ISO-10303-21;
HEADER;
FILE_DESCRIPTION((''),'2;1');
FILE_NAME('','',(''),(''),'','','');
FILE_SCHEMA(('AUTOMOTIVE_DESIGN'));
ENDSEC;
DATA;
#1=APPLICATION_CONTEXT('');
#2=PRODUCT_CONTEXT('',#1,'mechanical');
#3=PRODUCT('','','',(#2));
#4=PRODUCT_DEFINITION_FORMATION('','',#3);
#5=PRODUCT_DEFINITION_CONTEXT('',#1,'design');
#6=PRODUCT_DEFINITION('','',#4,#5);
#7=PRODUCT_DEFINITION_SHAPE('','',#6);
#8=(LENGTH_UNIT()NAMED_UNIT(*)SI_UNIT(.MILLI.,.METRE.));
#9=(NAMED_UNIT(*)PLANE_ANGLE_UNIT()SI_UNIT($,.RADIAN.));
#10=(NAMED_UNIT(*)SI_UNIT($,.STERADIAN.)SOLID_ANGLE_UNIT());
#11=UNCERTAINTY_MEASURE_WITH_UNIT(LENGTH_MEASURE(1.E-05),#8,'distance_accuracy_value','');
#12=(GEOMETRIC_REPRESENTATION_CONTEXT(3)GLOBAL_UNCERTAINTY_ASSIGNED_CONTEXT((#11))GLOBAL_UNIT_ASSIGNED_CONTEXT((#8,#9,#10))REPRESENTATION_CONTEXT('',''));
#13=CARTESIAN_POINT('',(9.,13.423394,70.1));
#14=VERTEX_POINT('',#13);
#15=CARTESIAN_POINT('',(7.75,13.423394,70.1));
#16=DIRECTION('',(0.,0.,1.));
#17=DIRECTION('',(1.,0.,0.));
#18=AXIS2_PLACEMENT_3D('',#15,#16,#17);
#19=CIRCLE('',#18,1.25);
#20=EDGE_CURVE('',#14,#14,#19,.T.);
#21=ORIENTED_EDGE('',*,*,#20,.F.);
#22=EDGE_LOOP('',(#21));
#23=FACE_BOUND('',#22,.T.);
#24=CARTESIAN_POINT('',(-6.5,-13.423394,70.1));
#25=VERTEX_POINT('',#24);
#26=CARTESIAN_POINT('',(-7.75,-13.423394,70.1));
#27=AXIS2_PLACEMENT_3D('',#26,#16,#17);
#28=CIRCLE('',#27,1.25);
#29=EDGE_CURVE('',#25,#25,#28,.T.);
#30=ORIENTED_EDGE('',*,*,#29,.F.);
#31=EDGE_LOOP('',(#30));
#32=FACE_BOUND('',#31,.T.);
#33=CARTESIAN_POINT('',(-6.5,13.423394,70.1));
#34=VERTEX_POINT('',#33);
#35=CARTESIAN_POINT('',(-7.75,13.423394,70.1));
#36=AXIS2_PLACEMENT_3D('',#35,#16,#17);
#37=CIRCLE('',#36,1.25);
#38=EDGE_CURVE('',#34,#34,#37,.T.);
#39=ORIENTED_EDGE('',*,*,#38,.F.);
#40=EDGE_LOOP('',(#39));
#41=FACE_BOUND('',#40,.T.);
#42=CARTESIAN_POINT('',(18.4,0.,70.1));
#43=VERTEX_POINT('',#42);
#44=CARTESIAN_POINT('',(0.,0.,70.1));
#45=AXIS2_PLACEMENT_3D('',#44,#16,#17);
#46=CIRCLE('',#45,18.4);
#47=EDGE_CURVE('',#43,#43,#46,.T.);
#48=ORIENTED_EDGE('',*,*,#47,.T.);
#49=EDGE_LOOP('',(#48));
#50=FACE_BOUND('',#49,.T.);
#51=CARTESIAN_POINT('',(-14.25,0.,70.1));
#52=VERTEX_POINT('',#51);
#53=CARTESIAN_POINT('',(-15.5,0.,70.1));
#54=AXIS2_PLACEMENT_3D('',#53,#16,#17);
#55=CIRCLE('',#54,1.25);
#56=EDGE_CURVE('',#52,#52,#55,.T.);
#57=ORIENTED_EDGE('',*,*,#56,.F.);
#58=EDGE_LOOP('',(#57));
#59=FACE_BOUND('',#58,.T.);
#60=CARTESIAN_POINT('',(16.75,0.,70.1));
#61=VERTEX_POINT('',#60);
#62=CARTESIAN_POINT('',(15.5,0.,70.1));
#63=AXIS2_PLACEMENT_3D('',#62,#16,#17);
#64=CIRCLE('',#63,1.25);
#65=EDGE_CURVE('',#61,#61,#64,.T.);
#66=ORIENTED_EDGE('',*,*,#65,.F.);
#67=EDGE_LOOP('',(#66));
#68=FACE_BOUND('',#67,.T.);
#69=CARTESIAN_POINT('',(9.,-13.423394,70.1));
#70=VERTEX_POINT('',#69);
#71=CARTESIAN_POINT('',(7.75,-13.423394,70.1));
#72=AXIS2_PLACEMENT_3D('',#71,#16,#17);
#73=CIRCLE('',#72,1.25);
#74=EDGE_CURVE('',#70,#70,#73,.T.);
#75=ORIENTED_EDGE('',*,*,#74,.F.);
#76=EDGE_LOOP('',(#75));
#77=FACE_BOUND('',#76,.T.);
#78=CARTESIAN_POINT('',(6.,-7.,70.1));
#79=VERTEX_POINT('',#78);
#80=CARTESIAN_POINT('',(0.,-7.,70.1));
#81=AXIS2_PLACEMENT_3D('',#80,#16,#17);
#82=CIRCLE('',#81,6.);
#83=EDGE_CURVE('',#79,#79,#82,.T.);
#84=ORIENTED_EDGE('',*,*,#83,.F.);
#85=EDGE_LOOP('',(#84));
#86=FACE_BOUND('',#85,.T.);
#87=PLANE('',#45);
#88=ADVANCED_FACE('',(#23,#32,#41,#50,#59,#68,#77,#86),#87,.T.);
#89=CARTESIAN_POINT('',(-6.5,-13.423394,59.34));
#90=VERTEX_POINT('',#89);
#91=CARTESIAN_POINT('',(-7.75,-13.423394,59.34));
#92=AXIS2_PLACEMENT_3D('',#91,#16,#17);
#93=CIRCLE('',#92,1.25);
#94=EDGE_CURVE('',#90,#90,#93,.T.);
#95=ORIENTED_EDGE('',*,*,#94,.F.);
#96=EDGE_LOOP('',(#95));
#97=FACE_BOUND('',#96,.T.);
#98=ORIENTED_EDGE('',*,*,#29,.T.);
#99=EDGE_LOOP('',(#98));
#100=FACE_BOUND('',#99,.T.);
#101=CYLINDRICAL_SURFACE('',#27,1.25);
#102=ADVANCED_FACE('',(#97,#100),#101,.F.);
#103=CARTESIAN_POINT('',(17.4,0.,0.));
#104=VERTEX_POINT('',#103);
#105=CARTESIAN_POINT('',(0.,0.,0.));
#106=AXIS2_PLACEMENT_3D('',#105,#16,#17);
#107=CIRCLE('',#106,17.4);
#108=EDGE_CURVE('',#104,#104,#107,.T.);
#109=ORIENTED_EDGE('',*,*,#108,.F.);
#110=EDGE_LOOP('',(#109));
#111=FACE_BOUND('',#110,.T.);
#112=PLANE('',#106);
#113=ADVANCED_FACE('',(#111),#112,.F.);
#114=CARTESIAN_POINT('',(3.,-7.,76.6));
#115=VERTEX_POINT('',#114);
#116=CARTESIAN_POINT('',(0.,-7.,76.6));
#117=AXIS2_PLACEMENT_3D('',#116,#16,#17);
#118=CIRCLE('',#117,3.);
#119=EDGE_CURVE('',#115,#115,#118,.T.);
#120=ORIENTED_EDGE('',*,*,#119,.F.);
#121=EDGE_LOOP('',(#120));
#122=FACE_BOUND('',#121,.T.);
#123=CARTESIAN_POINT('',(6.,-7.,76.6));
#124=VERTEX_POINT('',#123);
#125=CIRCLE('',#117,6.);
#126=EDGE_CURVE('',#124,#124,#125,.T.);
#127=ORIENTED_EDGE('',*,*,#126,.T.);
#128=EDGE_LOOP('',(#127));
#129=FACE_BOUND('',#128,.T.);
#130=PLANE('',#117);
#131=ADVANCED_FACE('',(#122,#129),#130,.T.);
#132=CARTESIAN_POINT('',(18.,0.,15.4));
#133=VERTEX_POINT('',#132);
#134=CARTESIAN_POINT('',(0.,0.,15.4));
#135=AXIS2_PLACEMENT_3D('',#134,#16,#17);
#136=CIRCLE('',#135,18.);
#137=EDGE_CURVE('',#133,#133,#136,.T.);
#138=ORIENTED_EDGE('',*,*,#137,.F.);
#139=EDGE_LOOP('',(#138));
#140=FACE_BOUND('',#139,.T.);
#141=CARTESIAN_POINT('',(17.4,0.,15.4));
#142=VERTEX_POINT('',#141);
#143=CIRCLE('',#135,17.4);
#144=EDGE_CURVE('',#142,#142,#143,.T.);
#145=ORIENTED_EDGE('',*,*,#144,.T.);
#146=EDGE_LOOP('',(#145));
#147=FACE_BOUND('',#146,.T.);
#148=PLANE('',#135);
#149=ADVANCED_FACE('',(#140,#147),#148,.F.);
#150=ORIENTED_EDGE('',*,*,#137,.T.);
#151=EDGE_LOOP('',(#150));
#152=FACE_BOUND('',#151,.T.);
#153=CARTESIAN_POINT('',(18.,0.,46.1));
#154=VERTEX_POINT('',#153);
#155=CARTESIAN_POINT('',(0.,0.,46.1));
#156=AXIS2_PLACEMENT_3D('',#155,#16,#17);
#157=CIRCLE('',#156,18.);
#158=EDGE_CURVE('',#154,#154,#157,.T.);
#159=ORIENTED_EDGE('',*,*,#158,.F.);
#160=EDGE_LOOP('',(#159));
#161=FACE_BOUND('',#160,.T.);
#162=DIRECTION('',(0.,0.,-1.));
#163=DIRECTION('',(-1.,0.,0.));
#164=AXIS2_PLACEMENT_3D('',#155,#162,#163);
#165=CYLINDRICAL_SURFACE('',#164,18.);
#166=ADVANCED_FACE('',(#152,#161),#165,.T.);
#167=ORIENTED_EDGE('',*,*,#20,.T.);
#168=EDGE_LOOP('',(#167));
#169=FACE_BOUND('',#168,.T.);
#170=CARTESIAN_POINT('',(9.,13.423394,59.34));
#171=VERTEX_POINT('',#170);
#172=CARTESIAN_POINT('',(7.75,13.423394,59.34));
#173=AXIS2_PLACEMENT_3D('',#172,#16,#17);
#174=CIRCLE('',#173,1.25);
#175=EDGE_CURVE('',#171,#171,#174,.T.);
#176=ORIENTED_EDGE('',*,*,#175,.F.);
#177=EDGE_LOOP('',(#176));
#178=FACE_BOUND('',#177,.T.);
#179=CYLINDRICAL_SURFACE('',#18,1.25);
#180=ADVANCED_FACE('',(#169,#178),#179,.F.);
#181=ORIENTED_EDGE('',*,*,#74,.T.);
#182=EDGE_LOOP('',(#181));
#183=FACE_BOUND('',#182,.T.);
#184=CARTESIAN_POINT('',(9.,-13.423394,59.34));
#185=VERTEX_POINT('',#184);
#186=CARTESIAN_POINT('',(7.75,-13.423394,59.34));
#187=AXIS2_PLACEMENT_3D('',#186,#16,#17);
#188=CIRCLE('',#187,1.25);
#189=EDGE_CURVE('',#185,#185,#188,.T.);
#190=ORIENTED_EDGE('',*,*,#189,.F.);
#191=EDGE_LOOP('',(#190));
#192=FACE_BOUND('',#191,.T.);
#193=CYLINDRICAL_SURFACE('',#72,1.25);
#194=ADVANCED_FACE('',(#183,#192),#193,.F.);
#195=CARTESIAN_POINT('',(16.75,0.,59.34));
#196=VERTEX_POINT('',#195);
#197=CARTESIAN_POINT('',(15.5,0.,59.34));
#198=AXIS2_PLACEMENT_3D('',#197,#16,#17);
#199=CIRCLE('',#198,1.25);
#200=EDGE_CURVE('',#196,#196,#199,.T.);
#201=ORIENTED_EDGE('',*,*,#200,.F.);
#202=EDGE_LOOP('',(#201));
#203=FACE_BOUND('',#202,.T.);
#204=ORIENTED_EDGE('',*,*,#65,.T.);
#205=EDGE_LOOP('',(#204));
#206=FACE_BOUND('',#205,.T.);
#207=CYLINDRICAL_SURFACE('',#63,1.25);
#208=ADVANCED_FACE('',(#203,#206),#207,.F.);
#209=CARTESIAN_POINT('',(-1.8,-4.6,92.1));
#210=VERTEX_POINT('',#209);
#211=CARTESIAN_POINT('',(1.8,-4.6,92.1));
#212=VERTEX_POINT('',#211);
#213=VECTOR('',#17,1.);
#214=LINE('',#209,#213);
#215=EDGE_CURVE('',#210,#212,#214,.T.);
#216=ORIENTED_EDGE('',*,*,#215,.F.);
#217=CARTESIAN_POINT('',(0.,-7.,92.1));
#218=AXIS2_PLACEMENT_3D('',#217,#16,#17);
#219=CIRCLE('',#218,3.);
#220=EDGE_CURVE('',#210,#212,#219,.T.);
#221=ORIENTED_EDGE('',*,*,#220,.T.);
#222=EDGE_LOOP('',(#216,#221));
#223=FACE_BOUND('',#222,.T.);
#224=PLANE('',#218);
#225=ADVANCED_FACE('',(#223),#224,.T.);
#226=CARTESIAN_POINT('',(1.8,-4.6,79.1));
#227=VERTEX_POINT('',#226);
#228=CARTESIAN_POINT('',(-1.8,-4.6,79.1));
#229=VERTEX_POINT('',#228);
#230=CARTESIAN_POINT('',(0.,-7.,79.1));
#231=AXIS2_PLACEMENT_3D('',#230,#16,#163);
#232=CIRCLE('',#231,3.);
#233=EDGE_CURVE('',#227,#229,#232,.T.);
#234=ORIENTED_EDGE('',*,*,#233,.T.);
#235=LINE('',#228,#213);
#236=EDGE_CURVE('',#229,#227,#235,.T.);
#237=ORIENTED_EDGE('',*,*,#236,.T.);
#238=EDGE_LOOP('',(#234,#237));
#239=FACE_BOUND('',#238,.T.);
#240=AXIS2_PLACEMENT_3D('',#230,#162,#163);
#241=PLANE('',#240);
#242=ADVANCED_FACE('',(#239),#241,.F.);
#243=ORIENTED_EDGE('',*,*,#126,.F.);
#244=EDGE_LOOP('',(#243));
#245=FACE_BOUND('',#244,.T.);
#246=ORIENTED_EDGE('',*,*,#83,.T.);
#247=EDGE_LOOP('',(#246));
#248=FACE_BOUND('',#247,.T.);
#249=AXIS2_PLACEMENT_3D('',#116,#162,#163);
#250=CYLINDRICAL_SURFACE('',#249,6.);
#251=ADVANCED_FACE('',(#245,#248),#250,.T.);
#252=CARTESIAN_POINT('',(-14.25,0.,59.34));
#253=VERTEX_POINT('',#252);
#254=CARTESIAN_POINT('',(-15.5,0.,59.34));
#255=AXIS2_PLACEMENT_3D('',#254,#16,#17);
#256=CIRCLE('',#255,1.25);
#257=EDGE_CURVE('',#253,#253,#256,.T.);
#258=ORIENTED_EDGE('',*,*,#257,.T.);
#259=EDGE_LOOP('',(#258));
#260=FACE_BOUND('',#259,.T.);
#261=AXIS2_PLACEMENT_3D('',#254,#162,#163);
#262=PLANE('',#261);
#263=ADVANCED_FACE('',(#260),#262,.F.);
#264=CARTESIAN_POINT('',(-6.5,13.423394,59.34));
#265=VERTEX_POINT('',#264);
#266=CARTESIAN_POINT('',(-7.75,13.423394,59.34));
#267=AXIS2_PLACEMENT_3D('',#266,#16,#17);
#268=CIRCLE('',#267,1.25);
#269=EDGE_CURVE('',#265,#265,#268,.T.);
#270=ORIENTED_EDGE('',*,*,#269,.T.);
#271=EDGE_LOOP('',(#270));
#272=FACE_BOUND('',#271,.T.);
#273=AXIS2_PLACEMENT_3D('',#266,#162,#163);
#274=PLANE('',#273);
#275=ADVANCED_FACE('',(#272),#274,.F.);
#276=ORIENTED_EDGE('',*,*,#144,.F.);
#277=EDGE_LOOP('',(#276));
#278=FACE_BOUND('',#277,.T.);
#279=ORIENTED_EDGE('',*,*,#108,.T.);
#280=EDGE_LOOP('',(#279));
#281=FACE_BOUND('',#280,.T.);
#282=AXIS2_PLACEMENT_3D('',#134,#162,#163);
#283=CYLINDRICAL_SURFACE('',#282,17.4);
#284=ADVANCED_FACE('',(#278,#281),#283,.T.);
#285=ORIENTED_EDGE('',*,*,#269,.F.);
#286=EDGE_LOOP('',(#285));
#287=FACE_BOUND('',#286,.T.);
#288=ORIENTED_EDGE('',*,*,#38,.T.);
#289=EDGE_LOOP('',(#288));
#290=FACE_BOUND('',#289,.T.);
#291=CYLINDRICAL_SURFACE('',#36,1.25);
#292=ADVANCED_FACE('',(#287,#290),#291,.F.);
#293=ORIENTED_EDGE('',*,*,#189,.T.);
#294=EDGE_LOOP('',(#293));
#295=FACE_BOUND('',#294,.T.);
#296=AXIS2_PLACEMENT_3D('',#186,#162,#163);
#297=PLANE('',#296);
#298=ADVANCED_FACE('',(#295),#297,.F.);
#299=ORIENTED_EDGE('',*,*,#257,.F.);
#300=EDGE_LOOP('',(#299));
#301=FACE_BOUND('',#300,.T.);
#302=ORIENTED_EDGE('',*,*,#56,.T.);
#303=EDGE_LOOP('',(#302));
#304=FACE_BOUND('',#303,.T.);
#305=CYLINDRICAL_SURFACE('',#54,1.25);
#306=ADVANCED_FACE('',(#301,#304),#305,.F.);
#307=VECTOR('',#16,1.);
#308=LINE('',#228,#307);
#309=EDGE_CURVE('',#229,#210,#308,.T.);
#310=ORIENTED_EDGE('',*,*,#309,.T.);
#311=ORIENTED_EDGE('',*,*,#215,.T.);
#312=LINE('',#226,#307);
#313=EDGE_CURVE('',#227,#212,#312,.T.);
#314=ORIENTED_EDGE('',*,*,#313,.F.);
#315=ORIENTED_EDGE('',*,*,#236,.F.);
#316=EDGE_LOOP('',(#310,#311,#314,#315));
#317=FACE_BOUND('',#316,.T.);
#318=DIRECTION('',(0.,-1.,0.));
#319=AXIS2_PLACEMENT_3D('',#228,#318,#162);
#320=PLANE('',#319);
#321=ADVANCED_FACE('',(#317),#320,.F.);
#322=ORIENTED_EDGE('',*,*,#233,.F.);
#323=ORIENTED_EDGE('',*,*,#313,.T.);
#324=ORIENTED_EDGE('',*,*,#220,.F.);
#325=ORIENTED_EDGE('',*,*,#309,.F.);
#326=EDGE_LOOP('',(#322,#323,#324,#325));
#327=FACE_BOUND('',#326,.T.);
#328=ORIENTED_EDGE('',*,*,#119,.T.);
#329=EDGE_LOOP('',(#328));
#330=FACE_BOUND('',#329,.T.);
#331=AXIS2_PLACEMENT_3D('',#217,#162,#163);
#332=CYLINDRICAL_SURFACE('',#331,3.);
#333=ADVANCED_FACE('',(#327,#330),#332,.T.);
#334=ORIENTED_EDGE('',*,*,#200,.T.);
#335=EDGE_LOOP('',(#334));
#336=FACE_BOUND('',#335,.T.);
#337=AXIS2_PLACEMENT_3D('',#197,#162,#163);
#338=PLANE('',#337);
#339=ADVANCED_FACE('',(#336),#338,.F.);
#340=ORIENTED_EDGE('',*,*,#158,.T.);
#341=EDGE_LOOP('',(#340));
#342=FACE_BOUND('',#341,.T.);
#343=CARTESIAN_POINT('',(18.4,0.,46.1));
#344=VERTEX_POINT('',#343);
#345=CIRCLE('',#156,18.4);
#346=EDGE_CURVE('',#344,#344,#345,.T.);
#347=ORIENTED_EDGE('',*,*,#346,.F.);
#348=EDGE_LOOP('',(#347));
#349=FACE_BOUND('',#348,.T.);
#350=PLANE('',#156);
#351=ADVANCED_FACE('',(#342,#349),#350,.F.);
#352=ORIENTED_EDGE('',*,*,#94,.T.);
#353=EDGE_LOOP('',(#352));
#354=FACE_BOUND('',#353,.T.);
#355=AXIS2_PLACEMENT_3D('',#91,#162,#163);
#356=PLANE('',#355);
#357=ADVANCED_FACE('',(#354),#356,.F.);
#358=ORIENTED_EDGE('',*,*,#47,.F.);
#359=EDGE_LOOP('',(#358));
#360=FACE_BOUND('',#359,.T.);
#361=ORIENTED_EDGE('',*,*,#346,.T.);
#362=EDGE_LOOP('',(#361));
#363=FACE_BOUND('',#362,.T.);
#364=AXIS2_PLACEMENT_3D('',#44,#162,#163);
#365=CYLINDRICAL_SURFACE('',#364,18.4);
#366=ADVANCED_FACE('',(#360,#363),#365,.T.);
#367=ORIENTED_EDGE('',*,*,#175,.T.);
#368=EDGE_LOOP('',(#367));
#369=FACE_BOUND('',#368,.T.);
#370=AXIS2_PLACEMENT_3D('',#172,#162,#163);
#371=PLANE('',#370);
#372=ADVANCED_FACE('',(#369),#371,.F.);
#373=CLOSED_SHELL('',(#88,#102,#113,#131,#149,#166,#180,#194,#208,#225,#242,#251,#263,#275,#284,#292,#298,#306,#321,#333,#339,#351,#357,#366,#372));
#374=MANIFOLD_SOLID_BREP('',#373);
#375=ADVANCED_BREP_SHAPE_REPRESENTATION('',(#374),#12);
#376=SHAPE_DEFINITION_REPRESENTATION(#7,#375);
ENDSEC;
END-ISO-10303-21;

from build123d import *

# Parameters (mm, degrees)
SKETCH1_R                       = 17.4
BOSS_EXTRUDE1_DEPTH             = 15.4
SKETCH2_R                       = 18
BOSS_EXTRUDE2_DEPTH             = 30.7
SKETCH3_R                       = 18.4
BOSS_EXTRUDE3_DEPTH             = 24
SKETCH4_R                       = 6
BOSS_EXTRUDE4_DEPTH             = 6.5
SKETCH5_R                       = 3
BOSS_EXTRUDE5_DEPTH             = 15.5
CUT_EXTRUDE1_DEPTH              = 13
TAP_DRILL_FOR_M3X0_5_TAP1_D     = 2.5
TAP_DRILL_FOR_M3X0_5_TAP1_DEPTH = 10.76


with BuildPart() as part:
    # Sketch1 → Boss-Extrude1 (new body)
    with BuildSketch(Plane.XY):
        Circle(SKETCH1_R)
    extrude(amount=BOSS_EXTRUDE1_DEPTH)

    # Sketch2 → Boss-Extrude2 (add)
    with BuildSketch(Plane.XY.offset(15.4)):
        Circle(SKETCH2_R)
    extrude(amount=BOSS_EXTRUDE2_DEPTH)

    # Sketch3 → Boss-Extrude3 (add)
    with BuildSketch(Plane.XY.offset(46.1)):
        Circle(SKETCH3_R)
    extrude(amount=BOSS_EXTRUDE3_DEPTH)

    # Sketch4 → Boss-Extrude4 (add)
    with BuildSketch(Plane.XY.offset(70.1)):
        with Locations((0, -7)):
            Circle(SKETCH4_R)
    extrude(amount=BOSS_EXTRUDE4_DEPTH)

    # Sketch5 → Boss-Extrude5 (add)
    with BuildSketch(Plane.XY.offset(76.6)):
        with Locations((0, -7)):
            Circle(SKETCH5_R)
    extrude(amount=BOSS_EXTRUDE5_DEPTH)

    # Sketch6 → Cut-Extrude1 (cut)
    with BuildSketch(Plane.XY.offset(92.1)):
        with BuildLine():
            Line((-1.8, -4.6), (1.8, -4.6))
            ThreePointArc((1.8, -4.6), (0, -4), (-1.8, -4.6))
        make_face()
    extrude(amount=-CUT_EXTRUDE1_DEPTH, mode=Mode.SUBTRACT)

    # Tap Drill for M3x0.5 Tap1
    with Locations(Plane.XY.offset(70.1)):
        with Locations((-15.5, 0), (-7.75, 13.423393759), (7.75, 13.423393759), (15.5, 0), (7.75, -13.423393759), (-7.75, -13.423393759)):
            Hole(TAP_DRILL_FOR_M3X0_5_TAP1_D / 2, depth=TAP_DRILL_FOR_M3X0_5_TAP1_DEPTH)


solid = part.part
